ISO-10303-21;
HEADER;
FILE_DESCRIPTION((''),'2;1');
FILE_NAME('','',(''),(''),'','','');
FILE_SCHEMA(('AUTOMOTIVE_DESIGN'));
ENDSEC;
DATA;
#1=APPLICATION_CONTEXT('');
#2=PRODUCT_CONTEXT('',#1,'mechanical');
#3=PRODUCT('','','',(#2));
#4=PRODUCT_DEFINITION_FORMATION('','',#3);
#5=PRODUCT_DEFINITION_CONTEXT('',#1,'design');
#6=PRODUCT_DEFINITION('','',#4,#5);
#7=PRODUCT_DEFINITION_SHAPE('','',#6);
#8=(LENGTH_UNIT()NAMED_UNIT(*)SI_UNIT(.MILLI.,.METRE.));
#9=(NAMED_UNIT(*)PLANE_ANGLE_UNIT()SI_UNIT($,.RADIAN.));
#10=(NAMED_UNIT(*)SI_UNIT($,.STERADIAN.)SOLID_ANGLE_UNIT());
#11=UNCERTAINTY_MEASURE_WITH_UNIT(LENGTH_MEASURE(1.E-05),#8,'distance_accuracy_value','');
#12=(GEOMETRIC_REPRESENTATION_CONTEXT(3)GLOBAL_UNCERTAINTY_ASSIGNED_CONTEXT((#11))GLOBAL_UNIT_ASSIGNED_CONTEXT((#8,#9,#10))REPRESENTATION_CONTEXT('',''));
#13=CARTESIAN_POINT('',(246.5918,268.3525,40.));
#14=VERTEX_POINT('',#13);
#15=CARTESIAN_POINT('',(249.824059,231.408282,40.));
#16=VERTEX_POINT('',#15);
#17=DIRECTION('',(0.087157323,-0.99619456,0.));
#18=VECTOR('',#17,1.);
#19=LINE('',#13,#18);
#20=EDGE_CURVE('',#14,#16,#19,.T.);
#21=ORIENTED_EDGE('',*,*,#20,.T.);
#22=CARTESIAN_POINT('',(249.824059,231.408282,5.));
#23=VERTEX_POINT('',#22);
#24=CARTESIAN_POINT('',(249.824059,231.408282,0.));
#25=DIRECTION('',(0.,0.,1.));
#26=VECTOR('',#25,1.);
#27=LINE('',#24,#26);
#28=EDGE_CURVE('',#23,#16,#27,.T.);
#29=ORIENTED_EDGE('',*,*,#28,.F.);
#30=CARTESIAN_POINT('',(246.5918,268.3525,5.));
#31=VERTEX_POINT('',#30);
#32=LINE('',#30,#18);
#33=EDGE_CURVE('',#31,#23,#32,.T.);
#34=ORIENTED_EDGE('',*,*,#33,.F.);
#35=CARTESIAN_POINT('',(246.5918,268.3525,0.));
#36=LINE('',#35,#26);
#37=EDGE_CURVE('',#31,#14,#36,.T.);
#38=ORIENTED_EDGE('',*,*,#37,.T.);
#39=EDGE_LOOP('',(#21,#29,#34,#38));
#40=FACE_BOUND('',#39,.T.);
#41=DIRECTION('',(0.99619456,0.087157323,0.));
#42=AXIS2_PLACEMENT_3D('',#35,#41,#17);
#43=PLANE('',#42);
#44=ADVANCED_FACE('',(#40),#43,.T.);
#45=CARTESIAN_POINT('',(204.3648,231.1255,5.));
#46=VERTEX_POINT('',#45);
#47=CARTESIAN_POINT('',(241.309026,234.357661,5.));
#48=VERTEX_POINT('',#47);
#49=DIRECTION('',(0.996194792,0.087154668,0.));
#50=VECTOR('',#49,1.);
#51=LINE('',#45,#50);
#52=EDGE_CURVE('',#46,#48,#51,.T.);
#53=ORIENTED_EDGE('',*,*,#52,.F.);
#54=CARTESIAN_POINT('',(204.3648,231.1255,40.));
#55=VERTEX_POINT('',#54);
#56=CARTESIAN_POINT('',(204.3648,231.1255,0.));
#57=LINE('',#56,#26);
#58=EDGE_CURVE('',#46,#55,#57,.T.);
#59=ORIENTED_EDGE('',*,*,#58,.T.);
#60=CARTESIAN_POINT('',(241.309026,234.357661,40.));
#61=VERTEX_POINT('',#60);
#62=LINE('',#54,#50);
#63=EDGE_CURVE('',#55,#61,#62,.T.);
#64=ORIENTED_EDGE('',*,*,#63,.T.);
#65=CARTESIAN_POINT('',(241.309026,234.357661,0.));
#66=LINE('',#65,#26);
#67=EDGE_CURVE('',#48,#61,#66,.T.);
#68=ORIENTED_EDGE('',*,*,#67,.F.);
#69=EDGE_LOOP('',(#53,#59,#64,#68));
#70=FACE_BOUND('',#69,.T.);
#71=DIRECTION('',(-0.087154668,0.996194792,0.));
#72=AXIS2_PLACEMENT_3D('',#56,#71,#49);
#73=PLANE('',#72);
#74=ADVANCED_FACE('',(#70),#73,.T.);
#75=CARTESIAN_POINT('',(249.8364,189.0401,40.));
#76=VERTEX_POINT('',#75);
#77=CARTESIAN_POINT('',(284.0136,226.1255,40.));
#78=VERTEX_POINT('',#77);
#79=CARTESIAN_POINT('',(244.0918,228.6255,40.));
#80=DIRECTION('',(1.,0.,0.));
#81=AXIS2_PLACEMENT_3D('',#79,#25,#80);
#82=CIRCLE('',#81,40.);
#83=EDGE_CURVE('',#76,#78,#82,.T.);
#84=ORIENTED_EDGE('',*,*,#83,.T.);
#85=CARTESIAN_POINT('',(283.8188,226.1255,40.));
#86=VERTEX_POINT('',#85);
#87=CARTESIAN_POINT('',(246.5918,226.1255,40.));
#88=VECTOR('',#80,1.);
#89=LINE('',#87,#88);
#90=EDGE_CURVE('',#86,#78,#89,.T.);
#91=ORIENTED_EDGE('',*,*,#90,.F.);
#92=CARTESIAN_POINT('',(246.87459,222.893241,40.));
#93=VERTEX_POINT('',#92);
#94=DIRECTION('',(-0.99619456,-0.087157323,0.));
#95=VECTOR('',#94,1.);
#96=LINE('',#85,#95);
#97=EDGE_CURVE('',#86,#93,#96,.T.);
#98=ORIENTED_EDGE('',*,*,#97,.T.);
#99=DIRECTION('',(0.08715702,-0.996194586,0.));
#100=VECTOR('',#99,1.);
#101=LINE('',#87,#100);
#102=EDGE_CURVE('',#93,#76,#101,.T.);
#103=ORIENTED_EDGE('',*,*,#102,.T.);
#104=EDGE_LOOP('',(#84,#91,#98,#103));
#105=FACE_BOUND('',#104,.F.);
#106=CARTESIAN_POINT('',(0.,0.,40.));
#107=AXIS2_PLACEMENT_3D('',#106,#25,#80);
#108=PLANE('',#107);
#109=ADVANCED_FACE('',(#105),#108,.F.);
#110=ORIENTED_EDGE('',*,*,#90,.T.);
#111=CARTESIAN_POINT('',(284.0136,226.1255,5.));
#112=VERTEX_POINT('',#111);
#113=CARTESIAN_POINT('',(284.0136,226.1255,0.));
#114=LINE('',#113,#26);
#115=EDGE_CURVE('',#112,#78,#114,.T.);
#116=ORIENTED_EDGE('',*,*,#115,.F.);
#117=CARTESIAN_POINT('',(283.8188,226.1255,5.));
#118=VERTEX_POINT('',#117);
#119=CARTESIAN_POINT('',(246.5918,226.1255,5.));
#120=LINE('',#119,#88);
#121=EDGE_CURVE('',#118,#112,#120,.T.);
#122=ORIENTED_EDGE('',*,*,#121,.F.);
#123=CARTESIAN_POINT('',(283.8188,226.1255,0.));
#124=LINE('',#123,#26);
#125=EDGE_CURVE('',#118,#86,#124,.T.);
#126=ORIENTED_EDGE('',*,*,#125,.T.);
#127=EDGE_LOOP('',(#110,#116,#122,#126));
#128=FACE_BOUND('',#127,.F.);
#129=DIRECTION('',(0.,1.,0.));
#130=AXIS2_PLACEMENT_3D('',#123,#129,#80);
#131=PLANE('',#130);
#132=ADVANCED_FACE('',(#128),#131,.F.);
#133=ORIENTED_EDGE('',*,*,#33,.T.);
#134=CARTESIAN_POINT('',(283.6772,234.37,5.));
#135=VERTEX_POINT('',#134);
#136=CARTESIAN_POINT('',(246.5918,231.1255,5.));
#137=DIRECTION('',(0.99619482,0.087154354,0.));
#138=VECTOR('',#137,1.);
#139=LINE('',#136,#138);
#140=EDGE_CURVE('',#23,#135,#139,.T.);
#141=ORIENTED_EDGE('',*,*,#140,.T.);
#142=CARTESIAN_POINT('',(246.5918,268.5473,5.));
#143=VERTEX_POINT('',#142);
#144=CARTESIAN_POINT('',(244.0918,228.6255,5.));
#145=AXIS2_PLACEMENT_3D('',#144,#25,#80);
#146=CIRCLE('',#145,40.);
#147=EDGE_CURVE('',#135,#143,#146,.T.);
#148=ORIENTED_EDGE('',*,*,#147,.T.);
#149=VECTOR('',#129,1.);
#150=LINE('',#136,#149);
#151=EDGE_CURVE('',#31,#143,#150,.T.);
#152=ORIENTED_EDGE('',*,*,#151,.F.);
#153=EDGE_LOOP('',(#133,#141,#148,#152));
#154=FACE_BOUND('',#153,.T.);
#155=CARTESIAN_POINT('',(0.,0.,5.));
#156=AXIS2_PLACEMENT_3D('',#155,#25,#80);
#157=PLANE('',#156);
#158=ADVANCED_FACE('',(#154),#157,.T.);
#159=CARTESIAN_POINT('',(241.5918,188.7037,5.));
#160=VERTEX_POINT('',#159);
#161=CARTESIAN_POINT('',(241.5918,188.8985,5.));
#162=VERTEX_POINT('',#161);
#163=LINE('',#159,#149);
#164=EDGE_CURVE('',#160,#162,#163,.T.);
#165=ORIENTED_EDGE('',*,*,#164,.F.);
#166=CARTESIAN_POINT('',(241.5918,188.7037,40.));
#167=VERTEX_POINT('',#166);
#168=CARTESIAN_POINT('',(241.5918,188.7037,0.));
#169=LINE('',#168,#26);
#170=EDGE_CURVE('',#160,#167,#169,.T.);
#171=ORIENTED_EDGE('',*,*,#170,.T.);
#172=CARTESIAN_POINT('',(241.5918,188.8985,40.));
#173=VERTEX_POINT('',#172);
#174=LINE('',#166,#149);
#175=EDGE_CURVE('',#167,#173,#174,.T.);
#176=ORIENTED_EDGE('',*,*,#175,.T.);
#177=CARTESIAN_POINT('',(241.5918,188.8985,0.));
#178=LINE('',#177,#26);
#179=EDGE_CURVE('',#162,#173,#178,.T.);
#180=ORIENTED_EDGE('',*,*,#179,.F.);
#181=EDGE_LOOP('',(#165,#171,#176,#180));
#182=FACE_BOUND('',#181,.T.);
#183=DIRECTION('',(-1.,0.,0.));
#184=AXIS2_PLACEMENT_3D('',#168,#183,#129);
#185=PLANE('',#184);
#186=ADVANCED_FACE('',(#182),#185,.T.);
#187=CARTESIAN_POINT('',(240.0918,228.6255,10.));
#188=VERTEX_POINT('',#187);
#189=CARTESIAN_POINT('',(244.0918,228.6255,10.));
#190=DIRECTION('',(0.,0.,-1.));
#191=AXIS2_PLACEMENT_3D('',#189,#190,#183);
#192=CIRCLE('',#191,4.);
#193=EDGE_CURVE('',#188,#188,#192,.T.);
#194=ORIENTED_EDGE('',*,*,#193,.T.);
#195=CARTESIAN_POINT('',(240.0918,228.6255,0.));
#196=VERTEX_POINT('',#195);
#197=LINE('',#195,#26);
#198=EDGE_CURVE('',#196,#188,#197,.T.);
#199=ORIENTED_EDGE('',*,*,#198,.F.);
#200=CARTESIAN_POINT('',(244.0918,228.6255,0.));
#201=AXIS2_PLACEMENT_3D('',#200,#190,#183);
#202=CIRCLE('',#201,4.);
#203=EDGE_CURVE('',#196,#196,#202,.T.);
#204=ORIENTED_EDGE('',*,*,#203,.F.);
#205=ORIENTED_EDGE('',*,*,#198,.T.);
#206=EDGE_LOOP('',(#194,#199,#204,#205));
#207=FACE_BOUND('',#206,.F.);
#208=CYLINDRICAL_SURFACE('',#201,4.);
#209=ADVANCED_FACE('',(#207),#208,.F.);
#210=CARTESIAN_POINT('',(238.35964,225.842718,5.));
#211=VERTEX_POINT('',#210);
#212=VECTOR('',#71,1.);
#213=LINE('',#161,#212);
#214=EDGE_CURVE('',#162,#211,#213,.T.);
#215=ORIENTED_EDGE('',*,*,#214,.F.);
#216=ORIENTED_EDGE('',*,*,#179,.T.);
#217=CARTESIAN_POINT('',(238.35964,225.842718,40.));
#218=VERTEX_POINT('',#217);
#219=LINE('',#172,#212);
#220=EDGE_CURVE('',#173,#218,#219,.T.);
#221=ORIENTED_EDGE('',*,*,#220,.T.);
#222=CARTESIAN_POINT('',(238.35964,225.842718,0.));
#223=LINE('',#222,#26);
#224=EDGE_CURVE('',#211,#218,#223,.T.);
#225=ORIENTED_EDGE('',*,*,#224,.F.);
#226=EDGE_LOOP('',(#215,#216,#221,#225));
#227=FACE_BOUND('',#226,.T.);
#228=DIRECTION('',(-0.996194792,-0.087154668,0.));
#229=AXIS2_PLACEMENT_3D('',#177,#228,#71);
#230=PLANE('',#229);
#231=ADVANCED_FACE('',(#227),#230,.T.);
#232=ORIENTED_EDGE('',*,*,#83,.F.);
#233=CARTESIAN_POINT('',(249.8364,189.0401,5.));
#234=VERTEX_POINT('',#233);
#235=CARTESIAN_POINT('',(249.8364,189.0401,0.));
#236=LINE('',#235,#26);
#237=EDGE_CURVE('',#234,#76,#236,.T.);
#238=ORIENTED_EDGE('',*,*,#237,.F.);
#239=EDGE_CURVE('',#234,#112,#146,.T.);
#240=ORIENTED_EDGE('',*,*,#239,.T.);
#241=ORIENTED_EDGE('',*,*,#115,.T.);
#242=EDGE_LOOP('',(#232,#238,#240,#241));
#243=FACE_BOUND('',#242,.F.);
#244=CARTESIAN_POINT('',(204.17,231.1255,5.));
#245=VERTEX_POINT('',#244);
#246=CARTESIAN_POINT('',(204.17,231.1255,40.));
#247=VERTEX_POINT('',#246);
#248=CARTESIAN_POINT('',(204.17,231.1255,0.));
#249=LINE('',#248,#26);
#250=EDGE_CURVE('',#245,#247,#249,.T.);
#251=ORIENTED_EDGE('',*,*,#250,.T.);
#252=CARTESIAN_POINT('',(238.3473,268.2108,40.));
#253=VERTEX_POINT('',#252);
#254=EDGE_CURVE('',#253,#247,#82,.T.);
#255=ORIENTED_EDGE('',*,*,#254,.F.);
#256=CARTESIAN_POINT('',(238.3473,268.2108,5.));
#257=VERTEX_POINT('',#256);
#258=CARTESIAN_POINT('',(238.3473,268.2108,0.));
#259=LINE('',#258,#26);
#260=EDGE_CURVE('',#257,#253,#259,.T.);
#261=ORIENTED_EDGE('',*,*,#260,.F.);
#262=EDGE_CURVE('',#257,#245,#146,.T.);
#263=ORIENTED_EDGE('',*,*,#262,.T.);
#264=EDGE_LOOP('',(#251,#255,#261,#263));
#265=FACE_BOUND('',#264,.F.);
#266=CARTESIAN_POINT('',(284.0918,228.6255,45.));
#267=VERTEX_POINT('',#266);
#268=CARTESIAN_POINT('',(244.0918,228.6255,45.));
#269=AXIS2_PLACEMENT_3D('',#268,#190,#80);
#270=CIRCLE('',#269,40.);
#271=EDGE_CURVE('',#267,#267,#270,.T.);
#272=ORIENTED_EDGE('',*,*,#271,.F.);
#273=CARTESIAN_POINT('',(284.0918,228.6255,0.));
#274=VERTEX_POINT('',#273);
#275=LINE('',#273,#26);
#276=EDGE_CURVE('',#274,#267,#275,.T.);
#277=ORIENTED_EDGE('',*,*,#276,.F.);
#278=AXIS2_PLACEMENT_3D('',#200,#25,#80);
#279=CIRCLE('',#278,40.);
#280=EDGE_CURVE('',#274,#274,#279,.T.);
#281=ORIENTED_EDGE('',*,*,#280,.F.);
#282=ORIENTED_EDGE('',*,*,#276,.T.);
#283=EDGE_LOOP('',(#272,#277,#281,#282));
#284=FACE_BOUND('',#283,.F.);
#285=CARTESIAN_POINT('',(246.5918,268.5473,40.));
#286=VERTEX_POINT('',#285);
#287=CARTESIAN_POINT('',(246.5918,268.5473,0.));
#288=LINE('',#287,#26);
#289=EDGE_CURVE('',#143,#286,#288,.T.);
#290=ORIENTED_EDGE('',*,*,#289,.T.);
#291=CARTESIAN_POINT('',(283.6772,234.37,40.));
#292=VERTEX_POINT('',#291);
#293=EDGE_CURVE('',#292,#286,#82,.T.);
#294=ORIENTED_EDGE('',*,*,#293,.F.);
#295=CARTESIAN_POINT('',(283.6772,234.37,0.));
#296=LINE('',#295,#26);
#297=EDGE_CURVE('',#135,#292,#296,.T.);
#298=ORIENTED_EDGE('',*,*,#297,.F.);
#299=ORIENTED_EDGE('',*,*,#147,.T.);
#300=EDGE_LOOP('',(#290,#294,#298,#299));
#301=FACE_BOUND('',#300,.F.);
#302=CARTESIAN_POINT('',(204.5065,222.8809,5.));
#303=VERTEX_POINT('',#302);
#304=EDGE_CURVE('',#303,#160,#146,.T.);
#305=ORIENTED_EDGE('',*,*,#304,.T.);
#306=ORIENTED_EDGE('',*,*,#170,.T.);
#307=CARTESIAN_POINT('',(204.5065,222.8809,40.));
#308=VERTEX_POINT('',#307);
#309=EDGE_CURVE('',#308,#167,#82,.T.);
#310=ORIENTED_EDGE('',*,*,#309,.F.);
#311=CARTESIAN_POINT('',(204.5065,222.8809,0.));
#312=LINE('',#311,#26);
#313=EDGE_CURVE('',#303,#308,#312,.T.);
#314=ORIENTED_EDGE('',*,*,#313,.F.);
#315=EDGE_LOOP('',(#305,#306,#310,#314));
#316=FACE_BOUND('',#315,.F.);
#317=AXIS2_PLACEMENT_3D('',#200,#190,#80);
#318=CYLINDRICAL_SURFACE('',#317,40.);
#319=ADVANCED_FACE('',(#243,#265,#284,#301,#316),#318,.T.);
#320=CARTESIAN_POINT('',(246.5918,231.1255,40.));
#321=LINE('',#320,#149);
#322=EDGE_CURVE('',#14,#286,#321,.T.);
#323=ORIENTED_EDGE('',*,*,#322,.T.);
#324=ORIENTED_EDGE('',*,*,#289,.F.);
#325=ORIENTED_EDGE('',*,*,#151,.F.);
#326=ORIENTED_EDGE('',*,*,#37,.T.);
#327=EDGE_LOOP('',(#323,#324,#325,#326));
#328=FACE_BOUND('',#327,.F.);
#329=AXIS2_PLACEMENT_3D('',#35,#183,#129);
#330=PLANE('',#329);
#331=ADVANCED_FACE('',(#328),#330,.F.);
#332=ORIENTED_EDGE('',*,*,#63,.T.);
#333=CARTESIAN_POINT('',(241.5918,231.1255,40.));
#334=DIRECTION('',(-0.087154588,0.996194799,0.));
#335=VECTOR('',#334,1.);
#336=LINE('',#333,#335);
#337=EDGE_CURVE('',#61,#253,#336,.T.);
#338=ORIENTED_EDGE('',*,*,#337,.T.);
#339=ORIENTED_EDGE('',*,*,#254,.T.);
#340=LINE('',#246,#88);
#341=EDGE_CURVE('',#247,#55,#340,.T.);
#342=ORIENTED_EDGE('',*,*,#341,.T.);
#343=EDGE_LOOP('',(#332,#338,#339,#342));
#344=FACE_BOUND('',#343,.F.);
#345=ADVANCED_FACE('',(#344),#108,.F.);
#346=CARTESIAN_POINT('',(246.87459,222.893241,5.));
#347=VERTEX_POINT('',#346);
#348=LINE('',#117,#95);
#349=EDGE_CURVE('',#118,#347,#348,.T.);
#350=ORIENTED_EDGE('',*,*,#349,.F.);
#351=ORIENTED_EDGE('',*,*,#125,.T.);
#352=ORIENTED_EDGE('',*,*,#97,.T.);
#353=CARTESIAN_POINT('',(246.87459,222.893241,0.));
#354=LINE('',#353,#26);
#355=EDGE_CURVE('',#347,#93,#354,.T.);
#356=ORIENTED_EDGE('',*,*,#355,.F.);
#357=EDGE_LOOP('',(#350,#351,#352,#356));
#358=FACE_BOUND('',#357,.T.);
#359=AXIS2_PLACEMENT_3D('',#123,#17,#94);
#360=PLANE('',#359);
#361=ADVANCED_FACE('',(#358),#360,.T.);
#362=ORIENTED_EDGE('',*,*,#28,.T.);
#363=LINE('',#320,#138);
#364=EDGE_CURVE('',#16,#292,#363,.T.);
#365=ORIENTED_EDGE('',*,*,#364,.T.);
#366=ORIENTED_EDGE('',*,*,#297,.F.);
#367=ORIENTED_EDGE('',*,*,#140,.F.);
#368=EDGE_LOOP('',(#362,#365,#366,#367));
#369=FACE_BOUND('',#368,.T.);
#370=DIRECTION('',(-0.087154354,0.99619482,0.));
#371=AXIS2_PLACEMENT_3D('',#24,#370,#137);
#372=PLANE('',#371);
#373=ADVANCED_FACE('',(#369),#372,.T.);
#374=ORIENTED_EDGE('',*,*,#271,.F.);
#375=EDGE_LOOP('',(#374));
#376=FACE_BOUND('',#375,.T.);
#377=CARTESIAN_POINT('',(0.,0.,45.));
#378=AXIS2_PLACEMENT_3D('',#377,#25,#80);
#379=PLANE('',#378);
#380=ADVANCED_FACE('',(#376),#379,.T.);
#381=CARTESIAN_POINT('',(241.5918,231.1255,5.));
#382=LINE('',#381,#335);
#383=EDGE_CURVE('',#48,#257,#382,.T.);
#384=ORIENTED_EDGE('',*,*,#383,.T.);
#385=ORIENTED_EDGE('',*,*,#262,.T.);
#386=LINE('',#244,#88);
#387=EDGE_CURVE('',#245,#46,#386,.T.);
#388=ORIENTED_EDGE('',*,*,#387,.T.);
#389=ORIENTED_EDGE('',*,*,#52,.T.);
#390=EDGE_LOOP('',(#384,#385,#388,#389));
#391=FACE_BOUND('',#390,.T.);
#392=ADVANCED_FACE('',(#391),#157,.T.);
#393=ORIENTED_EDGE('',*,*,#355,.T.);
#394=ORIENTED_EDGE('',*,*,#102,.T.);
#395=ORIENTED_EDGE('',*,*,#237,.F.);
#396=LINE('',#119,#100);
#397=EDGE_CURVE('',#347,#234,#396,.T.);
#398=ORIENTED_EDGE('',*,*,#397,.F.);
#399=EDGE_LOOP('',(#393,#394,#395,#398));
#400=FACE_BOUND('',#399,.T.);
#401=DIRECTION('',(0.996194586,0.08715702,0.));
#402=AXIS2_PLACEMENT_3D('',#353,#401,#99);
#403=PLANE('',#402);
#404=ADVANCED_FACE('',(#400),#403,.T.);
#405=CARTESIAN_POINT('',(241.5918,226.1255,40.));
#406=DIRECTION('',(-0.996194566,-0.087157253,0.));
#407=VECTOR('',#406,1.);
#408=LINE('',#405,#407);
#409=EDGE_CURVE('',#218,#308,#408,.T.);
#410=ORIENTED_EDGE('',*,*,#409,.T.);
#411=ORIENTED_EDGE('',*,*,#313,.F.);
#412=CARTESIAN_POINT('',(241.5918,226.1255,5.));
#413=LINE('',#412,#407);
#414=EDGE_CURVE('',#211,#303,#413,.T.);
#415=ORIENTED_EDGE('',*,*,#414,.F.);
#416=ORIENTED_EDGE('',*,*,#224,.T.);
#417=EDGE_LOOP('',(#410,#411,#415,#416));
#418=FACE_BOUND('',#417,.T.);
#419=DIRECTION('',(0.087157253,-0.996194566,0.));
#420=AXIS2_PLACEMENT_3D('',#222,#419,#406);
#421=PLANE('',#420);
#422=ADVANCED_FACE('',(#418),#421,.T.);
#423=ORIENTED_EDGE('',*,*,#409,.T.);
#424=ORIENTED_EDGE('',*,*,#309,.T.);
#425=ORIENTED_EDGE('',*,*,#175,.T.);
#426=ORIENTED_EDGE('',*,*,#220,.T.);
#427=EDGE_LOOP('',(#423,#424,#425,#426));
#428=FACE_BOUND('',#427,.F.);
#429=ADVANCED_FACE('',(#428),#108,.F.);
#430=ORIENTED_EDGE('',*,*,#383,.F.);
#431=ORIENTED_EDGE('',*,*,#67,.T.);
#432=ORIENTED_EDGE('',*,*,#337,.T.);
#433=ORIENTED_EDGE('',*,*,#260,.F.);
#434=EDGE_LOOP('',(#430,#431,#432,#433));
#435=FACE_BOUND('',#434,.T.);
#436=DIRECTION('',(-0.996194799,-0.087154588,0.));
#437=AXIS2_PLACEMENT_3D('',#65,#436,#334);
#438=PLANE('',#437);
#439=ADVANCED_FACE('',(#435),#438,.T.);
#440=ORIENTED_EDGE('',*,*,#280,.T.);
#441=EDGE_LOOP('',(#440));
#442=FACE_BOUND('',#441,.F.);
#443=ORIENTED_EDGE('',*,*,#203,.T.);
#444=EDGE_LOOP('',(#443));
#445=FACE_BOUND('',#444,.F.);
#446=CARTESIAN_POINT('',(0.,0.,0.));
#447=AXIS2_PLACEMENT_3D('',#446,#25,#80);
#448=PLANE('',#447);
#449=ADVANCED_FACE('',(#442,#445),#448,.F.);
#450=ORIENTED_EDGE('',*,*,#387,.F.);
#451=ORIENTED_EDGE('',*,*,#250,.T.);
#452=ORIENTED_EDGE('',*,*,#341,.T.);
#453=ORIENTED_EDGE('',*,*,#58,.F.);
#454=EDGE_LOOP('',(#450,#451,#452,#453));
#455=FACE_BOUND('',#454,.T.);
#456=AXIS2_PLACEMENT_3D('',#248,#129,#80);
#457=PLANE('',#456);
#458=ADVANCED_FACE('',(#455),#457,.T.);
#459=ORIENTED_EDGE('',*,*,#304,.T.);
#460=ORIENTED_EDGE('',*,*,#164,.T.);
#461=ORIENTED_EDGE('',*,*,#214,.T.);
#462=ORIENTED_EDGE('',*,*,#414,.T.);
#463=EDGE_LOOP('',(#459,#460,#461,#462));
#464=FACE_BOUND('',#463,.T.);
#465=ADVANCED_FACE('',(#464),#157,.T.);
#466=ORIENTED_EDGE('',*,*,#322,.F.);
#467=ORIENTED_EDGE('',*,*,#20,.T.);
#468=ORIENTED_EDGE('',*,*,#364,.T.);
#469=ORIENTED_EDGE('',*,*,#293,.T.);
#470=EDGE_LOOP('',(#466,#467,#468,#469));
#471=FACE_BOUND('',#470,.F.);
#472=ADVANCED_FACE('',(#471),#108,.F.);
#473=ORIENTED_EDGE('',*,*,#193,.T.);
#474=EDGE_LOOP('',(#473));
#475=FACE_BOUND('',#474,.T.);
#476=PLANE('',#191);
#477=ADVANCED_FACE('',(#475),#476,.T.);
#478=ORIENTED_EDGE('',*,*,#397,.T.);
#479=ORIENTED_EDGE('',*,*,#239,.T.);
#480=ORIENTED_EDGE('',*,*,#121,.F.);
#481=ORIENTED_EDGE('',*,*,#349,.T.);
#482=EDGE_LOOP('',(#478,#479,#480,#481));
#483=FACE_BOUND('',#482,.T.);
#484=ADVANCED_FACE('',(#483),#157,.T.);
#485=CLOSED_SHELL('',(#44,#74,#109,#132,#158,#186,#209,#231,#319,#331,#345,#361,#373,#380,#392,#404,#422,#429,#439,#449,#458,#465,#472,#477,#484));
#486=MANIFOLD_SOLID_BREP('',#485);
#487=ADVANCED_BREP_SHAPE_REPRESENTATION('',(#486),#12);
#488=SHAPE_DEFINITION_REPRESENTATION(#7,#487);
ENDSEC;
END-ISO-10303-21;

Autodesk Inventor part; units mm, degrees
ref_plane "YZ Plane" through (0, 0, 0) normal (1, 0, 0) x (0, 1, 0)
ref_plane "XZ Plane" through (0, 0, 0) normal (0, 1, 0) x (-1, 0, 0)
ref_plane "XY Plane" through (0, 0, 0) normal (0, 0, 1) x (1, 0, 0)
sketch "Sketch1" plane through (0, 0, 0) normal (0, 0, 1) x (1, 0, 0)
  line L0 (204.17, 231.1255) -> (241.5918, 231.1255)
  line L1 (241.5918, 231.1255) -> (284.0136, 231.1255)
  line L2 (204.17, 226.1255) -> (241.5918, 226.1255)
  line L3 (246.5918, 226.1255) -> (284.0136, 226.1255)
  line L4 (246.5918, 188.7037) -> (246.5918, 226.1255)
  line L5 (246.5918, 231.1255) -> (246.5918, 268.5473)
  line L6 (241.5918, 188.7037) -> (241.5918, 226.1255)
  line L7 (241.5918, 231.1255) -> (241.5918, 268.5473)
  line L8 (241.5918, 231.1255) -> (288.8318, 231.1255) construction
  line L9 (246.5918, 231.1255) -> (303.9178, 231.1255) construction
  line L10 (246.5918, 288.5734) -> (304.1186, 288.5734) construction
  circle A0 centre (244.0918, 228.6255) radius 40
  line L11 (246.5918, 226.1255) -> (249.8364, 189.0401)
  line L12 (246.5918, 226.1255) -> (283.8188, 226.1255) construction
  line L13 (283.8188, 226.1255) -> (246.5918, 222.8685)
  line L14 (283.8188, 226.1255) -> (321.1881, 226.1255) construction
  line L15 (246.5918, 231.1255) -> (283.6772, 234.37)
  line L16 (246.5918, 268.3525) -> (249.8488, 231.1255)
  line L17 (241.5918, 231.1255) -> (238.3473, 268.2108)
  line L18 (204.3648, 231.1255) -> (241.5918, 234.3824)
  line L19 (241.5918, 226.1255) -> (204.5065, 222.8809)
  line L20 (241.5918, 188.8985) -> (238.3349, 226.1255)
  point P0 (0, 0)
  point P1 (303.8392, 234.1257)
  point P2 (241.3091, 234.3577)
  point P3 (249.824, 231.4082)
  point P4 (238.3596, 225.8427)
  point P5 (246.8746, 222.8933)
  dimension "d31" = 80
  dimension "d33" = 85
  dimension "d34" = 175
  dimension "d37" = 360
extrude "Extrusion1" add sketch "Sketch1" along normal blind 45
extrude "Extrusion2" cut sketch "Sketch1" along normal blind 40 contours A0 L17 L18 L0 | L19 L20 L6 A0 | A0 L15 L16 L5 | L11 L13 L3 A0
extrude "Extrusion4" add sketch "Sketch1" along normal blind 5 contours A0 L17 L18 L0 | L19 L20 L6 A0 | A0 L15 L16 L5 | L11 L13 L3 A0
ref_plane "Work Plane1" through (244.0918, 228.6255, 0) normal (0, 0, -1) x (-1, 0, 0)
sketch "Sketch2" plane through (244.0918, 228.6255, 0) normal (0, 0, -1) x (-1, 0, 0)
  circle A0 centre (0, 0) radius 4
  point P0 (244.0918, -228.6255)
  dimension "d28" = 8
extrude "Extrusion5" cut sketch "Sketch2" against normal blind 10
properties part number "wheel"
